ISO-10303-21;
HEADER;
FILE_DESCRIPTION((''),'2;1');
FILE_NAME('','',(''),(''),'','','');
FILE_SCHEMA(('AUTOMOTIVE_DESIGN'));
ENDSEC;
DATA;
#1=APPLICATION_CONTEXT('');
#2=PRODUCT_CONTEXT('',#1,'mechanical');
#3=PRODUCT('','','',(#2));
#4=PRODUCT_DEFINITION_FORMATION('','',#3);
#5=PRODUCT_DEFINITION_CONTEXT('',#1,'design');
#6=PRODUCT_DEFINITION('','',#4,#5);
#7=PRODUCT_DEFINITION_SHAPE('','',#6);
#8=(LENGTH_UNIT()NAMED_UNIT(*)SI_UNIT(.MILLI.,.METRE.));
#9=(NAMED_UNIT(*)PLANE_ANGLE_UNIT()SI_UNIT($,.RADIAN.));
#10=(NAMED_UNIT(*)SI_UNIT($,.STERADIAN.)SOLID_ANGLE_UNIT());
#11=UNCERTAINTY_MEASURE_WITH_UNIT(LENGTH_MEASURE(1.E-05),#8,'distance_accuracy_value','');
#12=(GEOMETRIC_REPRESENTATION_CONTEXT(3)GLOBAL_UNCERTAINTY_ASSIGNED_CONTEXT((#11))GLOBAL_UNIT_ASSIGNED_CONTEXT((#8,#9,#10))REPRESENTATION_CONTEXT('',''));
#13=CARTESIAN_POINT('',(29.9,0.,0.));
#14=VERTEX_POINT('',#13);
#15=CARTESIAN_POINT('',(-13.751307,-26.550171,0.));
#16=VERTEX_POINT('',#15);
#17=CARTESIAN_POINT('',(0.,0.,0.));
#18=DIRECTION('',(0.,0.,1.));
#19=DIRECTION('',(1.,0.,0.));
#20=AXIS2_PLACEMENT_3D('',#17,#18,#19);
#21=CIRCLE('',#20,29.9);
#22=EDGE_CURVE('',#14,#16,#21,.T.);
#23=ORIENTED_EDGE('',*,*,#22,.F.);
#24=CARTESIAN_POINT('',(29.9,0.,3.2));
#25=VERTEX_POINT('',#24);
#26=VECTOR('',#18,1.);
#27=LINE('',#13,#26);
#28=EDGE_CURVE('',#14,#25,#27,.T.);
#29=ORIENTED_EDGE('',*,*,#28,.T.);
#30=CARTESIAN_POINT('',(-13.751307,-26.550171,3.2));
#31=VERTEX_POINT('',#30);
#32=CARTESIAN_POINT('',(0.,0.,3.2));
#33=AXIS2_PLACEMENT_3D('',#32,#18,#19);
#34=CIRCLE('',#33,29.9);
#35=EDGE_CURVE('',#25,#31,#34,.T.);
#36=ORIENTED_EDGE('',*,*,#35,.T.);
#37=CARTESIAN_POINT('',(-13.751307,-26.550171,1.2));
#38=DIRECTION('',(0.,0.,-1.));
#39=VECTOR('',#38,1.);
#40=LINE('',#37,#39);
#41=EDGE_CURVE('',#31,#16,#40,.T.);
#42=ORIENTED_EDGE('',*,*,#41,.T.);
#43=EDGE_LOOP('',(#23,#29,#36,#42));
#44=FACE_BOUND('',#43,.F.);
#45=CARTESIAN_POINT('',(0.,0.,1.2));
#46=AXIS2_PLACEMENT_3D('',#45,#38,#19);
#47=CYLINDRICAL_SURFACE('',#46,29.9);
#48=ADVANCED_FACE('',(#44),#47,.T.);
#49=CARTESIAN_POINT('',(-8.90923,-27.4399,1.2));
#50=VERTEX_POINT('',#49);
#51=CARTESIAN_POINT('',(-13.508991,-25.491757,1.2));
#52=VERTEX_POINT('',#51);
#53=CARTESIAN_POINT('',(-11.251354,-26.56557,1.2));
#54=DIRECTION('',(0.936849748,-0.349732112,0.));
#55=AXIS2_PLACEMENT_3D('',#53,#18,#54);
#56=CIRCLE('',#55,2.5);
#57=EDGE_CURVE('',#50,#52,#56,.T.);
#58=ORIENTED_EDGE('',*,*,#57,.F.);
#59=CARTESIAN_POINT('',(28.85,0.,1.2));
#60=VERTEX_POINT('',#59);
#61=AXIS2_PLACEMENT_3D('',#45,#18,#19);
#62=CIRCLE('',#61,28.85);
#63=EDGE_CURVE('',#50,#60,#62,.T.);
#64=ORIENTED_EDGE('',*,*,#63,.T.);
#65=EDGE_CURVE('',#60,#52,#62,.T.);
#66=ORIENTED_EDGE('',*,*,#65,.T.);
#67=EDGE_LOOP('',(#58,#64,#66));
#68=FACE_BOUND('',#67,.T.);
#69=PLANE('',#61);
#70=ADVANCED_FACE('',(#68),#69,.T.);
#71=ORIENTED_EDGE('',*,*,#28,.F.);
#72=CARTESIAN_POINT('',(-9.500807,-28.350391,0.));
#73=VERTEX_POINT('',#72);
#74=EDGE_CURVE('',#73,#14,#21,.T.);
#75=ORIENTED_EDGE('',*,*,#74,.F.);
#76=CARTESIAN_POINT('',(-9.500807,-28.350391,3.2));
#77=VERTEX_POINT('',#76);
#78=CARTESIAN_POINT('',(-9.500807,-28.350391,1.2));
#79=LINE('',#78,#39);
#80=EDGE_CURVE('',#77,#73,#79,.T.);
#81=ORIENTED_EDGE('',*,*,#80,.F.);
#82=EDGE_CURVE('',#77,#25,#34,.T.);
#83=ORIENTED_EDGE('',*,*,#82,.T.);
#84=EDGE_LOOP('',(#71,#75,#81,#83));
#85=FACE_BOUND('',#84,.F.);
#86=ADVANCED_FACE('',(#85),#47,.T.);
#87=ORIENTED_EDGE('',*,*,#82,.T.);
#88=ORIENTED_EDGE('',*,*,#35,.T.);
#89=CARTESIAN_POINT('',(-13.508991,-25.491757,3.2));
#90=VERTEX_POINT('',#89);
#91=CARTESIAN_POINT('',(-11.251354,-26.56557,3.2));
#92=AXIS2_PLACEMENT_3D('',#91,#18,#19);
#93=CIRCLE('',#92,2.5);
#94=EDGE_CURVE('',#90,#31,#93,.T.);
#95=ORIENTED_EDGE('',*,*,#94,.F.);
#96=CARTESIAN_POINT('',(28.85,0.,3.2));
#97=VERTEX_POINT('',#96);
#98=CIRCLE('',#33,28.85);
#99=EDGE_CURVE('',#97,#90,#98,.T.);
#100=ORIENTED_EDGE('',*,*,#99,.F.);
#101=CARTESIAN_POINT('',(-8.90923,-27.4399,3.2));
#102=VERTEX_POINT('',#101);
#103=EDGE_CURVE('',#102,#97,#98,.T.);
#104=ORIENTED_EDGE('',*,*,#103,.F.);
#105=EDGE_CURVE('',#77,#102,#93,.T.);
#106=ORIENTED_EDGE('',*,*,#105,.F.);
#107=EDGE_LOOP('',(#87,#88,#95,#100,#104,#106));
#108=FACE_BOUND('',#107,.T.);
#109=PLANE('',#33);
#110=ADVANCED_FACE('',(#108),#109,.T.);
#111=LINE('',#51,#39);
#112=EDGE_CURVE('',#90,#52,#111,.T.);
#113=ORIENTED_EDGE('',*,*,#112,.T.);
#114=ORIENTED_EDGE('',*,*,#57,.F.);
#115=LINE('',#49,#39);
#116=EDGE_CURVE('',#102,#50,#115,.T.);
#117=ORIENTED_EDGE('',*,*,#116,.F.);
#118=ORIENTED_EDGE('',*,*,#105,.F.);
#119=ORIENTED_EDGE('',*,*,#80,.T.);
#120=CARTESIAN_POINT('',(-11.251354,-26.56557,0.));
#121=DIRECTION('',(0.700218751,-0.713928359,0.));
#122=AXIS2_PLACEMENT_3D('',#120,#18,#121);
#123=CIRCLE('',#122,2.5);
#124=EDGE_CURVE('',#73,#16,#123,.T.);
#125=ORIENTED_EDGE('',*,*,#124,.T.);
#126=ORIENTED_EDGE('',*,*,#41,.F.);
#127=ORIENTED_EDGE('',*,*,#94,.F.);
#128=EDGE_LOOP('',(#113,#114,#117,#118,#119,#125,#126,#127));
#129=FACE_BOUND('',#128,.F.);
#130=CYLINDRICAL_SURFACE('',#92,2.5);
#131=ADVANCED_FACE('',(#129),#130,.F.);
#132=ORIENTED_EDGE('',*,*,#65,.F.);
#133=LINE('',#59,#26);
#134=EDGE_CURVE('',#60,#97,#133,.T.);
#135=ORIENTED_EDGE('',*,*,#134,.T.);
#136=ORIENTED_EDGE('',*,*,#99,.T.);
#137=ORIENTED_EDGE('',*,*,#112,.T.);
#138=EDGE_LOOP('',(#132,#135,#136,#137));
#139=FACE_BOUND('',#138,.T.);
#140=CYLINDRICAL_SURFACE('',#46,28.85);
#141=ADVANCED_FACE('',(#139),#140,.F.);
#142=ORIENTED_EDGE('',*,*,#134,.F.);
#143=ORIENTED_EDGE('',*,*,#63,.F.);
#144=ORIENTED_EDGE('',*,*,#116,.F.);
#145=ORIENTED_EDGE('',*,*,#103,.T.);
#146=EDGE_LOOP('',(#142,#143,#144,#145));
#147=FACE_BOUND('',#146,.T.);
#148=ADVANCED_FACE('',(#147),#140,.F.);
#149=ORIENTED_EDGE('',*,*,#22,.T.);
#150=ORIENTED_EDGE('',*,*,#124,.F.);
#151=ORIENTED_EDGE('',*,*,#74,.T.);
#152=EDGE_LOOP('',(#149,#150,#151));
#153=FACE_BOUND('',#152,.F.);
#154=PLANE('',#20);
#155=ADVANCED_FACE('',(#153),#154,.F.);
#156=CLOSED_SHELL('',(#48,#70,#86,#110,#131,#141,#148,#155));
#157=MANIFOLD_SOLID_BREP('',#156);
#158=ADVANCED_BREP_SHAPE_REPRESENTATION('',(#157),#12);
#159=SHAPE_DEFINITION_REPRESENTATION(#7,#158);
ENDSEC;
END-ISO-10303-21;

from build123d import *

# Parameters (mm, degrees)
F0_R     = 29.9
F1_DEPTH = 1.2
F2_R     = 29.9
F2_R_2   = 28.85
F3_DEPTH = 2
F4_R     = 2.5
F5_DEPTH = 3.2


with BuildPart() as f1:
    # F0 (on Top) → F1 (new body)
    with BuildSketch(Plane.XY):
        Circle(F0_R)
    extrude(amount=F1_DEPTH)

    # F2 (on face) → F3 (join)
    with BuildSketch(Plane.XY.offset(1.2)):
        Circle(F2_R)
        Circle(F2_R_2, mode=Mode.SUBTRACT)
    extrude(amount=F3_DEPTH)

    # F4 (on face) → F5 (cut)
    with BuildSketch(Plane.XY.offset(3.2)):
        with Locations((-11.251354, -26.56557)):
            Circle(F4_R)
    extrude(amount=-F5_DEPTH, mode=Mode.SUBTRACT)


solid = f1.part
